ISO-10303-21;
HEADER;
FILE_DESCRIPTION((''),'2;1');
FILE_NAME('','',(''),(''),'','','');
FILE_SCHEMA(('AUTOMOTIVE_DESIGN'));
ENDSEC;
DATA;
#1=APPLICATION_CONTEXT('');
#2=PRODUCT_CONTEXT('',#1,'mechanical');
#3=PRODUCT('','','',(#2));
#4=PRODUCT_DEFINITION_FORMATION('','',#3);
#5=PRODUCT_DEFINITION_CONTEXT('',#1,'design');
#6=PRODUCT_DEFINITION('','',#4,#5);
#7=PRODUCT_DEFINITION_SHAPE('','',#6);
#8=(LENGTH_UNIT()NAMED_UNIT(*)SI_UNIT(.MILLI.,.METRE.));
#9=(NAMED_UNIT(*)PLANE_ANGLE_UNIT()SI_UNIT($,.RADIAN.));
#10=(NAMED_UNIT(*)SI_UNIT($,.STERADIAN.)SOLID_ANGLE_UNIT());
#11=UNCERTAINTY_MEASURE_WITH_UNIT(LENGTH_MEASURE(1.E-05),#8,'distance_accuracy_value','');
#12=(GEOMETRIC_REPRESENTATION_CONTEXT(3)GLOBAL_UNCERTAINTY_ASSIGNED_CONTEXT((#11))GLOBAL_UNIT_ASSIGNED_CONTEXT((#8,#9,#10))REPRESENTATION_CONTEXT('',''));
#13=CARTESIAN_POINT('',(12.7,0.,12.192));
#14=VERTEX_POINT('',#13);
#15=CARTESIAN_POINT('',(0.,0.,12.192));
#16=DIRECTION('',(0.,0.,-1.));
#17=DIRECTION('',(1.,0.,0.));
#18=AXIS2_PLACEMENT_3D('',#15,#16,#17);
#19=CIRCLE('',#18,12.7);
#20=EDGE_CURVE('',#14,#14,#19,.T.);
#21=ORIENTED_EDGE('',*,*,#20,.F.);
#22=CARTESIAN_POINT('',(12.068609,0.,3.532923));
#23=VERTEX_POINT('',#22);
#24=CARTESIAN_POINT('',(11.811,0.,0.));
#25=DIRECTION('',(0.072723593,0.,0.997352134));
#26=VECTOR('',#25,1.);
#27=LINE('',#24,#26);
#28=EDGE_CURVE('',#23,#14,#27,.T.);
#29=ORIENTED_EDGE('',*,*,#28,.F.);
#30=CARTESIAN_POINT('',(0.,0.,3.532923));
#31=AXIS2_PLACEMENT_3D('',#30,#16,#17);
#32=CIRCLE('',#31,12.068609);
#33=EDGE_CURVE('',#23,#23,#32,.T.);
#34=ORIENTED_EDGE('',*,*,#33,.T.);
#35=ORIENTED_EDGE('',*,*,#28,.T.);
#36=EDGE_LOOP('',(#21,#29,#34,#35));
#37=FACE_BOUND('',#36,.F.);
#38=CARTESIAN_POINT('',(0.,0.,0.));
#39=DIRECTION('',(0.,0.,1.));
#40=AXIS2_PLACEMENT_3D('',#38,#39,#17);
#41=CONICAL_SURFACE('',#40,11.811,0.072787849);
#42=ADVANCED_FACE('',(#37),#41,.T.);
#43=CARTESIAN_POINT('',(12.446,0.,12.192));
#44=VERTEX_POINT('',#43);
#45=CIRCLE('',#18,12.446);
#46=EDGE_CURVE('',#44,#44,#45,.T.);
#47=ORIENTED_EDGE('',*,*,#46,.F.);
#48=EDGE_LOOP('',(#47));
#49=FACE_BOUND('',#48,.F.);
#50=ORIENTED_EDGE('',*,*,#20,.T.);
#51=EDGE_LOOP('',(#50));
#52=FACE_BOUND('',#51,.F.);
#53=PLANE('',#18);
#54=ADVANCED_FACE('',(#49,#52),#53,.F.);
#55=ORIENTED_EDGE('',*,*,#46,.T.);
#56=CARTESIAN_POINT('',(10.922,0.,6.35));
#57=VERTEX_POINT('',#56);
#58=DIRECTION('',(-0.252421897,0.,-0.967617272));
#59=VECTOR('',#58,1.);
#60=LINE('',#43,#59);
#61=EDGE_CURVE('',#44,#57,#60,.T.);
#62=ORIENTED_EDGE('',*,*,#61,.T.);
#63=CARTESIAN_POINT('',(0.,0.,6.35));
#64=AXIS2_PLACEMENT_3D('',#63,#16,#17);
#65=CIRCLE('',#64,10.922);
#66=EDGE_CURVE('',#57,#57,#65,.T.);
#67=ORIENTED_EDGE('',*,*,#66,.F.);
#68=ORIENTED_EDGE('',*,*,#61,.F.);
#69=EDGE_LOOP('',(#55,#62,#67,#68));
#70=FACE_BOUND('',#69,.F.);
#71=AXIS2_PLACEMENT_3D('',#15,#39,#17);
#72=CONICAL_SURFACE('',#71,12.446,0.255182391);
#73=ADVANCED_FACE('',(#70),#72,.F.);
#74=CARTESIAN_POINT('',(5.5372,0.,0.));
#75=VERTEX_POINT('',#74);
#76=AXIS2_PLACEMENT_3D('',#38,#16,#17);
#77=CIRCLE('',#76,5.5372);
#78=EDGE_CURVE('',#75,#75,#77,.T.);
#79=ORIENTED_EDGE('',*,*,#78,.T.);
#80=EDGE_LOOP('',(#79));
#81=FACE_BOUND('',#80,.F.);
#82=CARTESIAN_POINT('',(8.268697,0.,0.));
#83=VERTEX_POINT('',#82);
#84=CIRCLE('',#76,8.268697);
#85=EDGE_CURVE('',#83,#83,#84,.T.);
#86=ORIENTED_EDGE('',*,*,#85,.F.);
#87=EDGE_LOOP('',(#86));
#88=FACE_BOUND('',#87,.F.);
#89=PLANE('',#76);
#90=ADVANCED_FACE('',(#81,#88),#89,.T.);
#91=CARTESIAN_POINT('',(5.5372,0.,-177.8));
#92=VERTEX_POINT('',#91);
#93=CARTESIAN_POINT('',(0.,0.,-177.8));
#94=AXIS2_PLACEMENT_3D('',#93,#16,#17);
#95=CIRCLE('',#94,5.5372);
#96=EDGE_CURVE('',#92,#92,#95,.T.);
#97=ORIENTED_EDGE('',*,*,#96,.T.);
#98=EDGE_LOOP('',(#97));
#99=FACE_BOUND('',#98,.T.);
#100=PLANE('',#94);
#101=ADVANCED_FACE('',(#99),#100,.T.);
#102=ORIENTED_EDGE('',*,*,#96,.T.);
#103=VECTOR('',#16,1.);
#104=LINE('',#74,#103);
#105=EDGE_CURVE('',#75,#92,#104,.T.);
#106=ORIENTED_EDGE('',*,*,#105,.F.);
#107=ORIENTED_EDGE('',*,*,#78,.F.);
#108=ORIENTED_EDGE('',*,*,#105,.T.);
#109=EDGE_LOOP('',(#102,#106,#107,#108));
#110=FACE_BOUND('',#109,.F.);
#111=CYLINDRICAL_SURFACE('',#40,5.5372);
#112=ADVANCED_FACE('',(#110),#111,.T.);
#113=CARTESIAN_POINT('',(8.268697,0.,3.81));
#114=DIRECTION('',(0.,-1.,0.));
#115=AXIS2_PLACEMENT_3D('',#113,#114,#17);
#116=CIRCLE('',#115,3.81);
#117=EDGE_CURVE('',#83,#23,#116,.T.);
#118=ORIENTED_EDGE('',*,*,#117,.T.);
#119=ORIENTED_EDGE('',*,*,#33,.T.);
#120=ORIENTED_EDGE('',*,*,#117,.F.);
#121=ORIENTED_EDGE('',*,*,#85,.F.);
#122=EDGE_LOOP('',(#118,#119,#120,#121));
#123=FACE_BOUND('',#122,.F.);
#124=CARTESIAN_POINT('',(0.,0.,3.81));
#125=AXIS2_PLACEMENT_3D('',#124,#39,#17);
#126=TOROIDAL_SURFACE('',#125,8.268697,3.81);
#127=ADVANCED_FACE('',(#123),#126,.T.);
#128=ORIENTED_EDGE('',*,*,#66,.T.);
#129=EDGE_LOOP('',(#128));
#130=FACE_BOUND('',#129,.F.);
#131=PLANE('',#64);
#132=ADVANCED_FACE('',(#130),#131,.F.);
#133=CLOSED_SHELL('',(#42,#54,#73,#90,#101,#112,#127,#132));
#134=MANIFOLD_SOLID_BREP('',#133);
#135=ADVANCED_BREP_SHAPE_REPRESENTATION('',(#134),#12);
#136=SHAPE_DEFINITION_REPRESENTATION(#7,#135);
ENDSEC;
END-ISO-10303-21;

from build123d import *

# Parameters (mm, degrees)
F2_R     = 3.81
F3_R     = 5.5372
F4_DEPTH = 177.8


with BuildPart() as f1:
    # F0 (on Front) → F1 (revolve)
    with BuildSketch(Plane.XZ):
        Polygon((0, 6.35), (0, 0), (11.811, 0), (12.7, 12.192), (12.446, 12.192), (10.922, 6.35), align=None)
    revolve(axis=Axis((0, 0, 3.175), (0, 0, -1)))

    # F2
    f2_edges = [f1.edges().sort_by_distance(p)[0] for p in [
        (-11.811, 0, 0),
    ]]
    fillet(f2_edges, radius=F2_R)

    # F3 (on face) → F4 (join)
    with BuildSketch(Plane(origin=(0, 0, 0), x_dir=(1, 0, 0), z_dir=(0, 0, -1))):
        Circle(F3_R)
    extrude(amount=F4_DEPTH)


solid = f1.part
